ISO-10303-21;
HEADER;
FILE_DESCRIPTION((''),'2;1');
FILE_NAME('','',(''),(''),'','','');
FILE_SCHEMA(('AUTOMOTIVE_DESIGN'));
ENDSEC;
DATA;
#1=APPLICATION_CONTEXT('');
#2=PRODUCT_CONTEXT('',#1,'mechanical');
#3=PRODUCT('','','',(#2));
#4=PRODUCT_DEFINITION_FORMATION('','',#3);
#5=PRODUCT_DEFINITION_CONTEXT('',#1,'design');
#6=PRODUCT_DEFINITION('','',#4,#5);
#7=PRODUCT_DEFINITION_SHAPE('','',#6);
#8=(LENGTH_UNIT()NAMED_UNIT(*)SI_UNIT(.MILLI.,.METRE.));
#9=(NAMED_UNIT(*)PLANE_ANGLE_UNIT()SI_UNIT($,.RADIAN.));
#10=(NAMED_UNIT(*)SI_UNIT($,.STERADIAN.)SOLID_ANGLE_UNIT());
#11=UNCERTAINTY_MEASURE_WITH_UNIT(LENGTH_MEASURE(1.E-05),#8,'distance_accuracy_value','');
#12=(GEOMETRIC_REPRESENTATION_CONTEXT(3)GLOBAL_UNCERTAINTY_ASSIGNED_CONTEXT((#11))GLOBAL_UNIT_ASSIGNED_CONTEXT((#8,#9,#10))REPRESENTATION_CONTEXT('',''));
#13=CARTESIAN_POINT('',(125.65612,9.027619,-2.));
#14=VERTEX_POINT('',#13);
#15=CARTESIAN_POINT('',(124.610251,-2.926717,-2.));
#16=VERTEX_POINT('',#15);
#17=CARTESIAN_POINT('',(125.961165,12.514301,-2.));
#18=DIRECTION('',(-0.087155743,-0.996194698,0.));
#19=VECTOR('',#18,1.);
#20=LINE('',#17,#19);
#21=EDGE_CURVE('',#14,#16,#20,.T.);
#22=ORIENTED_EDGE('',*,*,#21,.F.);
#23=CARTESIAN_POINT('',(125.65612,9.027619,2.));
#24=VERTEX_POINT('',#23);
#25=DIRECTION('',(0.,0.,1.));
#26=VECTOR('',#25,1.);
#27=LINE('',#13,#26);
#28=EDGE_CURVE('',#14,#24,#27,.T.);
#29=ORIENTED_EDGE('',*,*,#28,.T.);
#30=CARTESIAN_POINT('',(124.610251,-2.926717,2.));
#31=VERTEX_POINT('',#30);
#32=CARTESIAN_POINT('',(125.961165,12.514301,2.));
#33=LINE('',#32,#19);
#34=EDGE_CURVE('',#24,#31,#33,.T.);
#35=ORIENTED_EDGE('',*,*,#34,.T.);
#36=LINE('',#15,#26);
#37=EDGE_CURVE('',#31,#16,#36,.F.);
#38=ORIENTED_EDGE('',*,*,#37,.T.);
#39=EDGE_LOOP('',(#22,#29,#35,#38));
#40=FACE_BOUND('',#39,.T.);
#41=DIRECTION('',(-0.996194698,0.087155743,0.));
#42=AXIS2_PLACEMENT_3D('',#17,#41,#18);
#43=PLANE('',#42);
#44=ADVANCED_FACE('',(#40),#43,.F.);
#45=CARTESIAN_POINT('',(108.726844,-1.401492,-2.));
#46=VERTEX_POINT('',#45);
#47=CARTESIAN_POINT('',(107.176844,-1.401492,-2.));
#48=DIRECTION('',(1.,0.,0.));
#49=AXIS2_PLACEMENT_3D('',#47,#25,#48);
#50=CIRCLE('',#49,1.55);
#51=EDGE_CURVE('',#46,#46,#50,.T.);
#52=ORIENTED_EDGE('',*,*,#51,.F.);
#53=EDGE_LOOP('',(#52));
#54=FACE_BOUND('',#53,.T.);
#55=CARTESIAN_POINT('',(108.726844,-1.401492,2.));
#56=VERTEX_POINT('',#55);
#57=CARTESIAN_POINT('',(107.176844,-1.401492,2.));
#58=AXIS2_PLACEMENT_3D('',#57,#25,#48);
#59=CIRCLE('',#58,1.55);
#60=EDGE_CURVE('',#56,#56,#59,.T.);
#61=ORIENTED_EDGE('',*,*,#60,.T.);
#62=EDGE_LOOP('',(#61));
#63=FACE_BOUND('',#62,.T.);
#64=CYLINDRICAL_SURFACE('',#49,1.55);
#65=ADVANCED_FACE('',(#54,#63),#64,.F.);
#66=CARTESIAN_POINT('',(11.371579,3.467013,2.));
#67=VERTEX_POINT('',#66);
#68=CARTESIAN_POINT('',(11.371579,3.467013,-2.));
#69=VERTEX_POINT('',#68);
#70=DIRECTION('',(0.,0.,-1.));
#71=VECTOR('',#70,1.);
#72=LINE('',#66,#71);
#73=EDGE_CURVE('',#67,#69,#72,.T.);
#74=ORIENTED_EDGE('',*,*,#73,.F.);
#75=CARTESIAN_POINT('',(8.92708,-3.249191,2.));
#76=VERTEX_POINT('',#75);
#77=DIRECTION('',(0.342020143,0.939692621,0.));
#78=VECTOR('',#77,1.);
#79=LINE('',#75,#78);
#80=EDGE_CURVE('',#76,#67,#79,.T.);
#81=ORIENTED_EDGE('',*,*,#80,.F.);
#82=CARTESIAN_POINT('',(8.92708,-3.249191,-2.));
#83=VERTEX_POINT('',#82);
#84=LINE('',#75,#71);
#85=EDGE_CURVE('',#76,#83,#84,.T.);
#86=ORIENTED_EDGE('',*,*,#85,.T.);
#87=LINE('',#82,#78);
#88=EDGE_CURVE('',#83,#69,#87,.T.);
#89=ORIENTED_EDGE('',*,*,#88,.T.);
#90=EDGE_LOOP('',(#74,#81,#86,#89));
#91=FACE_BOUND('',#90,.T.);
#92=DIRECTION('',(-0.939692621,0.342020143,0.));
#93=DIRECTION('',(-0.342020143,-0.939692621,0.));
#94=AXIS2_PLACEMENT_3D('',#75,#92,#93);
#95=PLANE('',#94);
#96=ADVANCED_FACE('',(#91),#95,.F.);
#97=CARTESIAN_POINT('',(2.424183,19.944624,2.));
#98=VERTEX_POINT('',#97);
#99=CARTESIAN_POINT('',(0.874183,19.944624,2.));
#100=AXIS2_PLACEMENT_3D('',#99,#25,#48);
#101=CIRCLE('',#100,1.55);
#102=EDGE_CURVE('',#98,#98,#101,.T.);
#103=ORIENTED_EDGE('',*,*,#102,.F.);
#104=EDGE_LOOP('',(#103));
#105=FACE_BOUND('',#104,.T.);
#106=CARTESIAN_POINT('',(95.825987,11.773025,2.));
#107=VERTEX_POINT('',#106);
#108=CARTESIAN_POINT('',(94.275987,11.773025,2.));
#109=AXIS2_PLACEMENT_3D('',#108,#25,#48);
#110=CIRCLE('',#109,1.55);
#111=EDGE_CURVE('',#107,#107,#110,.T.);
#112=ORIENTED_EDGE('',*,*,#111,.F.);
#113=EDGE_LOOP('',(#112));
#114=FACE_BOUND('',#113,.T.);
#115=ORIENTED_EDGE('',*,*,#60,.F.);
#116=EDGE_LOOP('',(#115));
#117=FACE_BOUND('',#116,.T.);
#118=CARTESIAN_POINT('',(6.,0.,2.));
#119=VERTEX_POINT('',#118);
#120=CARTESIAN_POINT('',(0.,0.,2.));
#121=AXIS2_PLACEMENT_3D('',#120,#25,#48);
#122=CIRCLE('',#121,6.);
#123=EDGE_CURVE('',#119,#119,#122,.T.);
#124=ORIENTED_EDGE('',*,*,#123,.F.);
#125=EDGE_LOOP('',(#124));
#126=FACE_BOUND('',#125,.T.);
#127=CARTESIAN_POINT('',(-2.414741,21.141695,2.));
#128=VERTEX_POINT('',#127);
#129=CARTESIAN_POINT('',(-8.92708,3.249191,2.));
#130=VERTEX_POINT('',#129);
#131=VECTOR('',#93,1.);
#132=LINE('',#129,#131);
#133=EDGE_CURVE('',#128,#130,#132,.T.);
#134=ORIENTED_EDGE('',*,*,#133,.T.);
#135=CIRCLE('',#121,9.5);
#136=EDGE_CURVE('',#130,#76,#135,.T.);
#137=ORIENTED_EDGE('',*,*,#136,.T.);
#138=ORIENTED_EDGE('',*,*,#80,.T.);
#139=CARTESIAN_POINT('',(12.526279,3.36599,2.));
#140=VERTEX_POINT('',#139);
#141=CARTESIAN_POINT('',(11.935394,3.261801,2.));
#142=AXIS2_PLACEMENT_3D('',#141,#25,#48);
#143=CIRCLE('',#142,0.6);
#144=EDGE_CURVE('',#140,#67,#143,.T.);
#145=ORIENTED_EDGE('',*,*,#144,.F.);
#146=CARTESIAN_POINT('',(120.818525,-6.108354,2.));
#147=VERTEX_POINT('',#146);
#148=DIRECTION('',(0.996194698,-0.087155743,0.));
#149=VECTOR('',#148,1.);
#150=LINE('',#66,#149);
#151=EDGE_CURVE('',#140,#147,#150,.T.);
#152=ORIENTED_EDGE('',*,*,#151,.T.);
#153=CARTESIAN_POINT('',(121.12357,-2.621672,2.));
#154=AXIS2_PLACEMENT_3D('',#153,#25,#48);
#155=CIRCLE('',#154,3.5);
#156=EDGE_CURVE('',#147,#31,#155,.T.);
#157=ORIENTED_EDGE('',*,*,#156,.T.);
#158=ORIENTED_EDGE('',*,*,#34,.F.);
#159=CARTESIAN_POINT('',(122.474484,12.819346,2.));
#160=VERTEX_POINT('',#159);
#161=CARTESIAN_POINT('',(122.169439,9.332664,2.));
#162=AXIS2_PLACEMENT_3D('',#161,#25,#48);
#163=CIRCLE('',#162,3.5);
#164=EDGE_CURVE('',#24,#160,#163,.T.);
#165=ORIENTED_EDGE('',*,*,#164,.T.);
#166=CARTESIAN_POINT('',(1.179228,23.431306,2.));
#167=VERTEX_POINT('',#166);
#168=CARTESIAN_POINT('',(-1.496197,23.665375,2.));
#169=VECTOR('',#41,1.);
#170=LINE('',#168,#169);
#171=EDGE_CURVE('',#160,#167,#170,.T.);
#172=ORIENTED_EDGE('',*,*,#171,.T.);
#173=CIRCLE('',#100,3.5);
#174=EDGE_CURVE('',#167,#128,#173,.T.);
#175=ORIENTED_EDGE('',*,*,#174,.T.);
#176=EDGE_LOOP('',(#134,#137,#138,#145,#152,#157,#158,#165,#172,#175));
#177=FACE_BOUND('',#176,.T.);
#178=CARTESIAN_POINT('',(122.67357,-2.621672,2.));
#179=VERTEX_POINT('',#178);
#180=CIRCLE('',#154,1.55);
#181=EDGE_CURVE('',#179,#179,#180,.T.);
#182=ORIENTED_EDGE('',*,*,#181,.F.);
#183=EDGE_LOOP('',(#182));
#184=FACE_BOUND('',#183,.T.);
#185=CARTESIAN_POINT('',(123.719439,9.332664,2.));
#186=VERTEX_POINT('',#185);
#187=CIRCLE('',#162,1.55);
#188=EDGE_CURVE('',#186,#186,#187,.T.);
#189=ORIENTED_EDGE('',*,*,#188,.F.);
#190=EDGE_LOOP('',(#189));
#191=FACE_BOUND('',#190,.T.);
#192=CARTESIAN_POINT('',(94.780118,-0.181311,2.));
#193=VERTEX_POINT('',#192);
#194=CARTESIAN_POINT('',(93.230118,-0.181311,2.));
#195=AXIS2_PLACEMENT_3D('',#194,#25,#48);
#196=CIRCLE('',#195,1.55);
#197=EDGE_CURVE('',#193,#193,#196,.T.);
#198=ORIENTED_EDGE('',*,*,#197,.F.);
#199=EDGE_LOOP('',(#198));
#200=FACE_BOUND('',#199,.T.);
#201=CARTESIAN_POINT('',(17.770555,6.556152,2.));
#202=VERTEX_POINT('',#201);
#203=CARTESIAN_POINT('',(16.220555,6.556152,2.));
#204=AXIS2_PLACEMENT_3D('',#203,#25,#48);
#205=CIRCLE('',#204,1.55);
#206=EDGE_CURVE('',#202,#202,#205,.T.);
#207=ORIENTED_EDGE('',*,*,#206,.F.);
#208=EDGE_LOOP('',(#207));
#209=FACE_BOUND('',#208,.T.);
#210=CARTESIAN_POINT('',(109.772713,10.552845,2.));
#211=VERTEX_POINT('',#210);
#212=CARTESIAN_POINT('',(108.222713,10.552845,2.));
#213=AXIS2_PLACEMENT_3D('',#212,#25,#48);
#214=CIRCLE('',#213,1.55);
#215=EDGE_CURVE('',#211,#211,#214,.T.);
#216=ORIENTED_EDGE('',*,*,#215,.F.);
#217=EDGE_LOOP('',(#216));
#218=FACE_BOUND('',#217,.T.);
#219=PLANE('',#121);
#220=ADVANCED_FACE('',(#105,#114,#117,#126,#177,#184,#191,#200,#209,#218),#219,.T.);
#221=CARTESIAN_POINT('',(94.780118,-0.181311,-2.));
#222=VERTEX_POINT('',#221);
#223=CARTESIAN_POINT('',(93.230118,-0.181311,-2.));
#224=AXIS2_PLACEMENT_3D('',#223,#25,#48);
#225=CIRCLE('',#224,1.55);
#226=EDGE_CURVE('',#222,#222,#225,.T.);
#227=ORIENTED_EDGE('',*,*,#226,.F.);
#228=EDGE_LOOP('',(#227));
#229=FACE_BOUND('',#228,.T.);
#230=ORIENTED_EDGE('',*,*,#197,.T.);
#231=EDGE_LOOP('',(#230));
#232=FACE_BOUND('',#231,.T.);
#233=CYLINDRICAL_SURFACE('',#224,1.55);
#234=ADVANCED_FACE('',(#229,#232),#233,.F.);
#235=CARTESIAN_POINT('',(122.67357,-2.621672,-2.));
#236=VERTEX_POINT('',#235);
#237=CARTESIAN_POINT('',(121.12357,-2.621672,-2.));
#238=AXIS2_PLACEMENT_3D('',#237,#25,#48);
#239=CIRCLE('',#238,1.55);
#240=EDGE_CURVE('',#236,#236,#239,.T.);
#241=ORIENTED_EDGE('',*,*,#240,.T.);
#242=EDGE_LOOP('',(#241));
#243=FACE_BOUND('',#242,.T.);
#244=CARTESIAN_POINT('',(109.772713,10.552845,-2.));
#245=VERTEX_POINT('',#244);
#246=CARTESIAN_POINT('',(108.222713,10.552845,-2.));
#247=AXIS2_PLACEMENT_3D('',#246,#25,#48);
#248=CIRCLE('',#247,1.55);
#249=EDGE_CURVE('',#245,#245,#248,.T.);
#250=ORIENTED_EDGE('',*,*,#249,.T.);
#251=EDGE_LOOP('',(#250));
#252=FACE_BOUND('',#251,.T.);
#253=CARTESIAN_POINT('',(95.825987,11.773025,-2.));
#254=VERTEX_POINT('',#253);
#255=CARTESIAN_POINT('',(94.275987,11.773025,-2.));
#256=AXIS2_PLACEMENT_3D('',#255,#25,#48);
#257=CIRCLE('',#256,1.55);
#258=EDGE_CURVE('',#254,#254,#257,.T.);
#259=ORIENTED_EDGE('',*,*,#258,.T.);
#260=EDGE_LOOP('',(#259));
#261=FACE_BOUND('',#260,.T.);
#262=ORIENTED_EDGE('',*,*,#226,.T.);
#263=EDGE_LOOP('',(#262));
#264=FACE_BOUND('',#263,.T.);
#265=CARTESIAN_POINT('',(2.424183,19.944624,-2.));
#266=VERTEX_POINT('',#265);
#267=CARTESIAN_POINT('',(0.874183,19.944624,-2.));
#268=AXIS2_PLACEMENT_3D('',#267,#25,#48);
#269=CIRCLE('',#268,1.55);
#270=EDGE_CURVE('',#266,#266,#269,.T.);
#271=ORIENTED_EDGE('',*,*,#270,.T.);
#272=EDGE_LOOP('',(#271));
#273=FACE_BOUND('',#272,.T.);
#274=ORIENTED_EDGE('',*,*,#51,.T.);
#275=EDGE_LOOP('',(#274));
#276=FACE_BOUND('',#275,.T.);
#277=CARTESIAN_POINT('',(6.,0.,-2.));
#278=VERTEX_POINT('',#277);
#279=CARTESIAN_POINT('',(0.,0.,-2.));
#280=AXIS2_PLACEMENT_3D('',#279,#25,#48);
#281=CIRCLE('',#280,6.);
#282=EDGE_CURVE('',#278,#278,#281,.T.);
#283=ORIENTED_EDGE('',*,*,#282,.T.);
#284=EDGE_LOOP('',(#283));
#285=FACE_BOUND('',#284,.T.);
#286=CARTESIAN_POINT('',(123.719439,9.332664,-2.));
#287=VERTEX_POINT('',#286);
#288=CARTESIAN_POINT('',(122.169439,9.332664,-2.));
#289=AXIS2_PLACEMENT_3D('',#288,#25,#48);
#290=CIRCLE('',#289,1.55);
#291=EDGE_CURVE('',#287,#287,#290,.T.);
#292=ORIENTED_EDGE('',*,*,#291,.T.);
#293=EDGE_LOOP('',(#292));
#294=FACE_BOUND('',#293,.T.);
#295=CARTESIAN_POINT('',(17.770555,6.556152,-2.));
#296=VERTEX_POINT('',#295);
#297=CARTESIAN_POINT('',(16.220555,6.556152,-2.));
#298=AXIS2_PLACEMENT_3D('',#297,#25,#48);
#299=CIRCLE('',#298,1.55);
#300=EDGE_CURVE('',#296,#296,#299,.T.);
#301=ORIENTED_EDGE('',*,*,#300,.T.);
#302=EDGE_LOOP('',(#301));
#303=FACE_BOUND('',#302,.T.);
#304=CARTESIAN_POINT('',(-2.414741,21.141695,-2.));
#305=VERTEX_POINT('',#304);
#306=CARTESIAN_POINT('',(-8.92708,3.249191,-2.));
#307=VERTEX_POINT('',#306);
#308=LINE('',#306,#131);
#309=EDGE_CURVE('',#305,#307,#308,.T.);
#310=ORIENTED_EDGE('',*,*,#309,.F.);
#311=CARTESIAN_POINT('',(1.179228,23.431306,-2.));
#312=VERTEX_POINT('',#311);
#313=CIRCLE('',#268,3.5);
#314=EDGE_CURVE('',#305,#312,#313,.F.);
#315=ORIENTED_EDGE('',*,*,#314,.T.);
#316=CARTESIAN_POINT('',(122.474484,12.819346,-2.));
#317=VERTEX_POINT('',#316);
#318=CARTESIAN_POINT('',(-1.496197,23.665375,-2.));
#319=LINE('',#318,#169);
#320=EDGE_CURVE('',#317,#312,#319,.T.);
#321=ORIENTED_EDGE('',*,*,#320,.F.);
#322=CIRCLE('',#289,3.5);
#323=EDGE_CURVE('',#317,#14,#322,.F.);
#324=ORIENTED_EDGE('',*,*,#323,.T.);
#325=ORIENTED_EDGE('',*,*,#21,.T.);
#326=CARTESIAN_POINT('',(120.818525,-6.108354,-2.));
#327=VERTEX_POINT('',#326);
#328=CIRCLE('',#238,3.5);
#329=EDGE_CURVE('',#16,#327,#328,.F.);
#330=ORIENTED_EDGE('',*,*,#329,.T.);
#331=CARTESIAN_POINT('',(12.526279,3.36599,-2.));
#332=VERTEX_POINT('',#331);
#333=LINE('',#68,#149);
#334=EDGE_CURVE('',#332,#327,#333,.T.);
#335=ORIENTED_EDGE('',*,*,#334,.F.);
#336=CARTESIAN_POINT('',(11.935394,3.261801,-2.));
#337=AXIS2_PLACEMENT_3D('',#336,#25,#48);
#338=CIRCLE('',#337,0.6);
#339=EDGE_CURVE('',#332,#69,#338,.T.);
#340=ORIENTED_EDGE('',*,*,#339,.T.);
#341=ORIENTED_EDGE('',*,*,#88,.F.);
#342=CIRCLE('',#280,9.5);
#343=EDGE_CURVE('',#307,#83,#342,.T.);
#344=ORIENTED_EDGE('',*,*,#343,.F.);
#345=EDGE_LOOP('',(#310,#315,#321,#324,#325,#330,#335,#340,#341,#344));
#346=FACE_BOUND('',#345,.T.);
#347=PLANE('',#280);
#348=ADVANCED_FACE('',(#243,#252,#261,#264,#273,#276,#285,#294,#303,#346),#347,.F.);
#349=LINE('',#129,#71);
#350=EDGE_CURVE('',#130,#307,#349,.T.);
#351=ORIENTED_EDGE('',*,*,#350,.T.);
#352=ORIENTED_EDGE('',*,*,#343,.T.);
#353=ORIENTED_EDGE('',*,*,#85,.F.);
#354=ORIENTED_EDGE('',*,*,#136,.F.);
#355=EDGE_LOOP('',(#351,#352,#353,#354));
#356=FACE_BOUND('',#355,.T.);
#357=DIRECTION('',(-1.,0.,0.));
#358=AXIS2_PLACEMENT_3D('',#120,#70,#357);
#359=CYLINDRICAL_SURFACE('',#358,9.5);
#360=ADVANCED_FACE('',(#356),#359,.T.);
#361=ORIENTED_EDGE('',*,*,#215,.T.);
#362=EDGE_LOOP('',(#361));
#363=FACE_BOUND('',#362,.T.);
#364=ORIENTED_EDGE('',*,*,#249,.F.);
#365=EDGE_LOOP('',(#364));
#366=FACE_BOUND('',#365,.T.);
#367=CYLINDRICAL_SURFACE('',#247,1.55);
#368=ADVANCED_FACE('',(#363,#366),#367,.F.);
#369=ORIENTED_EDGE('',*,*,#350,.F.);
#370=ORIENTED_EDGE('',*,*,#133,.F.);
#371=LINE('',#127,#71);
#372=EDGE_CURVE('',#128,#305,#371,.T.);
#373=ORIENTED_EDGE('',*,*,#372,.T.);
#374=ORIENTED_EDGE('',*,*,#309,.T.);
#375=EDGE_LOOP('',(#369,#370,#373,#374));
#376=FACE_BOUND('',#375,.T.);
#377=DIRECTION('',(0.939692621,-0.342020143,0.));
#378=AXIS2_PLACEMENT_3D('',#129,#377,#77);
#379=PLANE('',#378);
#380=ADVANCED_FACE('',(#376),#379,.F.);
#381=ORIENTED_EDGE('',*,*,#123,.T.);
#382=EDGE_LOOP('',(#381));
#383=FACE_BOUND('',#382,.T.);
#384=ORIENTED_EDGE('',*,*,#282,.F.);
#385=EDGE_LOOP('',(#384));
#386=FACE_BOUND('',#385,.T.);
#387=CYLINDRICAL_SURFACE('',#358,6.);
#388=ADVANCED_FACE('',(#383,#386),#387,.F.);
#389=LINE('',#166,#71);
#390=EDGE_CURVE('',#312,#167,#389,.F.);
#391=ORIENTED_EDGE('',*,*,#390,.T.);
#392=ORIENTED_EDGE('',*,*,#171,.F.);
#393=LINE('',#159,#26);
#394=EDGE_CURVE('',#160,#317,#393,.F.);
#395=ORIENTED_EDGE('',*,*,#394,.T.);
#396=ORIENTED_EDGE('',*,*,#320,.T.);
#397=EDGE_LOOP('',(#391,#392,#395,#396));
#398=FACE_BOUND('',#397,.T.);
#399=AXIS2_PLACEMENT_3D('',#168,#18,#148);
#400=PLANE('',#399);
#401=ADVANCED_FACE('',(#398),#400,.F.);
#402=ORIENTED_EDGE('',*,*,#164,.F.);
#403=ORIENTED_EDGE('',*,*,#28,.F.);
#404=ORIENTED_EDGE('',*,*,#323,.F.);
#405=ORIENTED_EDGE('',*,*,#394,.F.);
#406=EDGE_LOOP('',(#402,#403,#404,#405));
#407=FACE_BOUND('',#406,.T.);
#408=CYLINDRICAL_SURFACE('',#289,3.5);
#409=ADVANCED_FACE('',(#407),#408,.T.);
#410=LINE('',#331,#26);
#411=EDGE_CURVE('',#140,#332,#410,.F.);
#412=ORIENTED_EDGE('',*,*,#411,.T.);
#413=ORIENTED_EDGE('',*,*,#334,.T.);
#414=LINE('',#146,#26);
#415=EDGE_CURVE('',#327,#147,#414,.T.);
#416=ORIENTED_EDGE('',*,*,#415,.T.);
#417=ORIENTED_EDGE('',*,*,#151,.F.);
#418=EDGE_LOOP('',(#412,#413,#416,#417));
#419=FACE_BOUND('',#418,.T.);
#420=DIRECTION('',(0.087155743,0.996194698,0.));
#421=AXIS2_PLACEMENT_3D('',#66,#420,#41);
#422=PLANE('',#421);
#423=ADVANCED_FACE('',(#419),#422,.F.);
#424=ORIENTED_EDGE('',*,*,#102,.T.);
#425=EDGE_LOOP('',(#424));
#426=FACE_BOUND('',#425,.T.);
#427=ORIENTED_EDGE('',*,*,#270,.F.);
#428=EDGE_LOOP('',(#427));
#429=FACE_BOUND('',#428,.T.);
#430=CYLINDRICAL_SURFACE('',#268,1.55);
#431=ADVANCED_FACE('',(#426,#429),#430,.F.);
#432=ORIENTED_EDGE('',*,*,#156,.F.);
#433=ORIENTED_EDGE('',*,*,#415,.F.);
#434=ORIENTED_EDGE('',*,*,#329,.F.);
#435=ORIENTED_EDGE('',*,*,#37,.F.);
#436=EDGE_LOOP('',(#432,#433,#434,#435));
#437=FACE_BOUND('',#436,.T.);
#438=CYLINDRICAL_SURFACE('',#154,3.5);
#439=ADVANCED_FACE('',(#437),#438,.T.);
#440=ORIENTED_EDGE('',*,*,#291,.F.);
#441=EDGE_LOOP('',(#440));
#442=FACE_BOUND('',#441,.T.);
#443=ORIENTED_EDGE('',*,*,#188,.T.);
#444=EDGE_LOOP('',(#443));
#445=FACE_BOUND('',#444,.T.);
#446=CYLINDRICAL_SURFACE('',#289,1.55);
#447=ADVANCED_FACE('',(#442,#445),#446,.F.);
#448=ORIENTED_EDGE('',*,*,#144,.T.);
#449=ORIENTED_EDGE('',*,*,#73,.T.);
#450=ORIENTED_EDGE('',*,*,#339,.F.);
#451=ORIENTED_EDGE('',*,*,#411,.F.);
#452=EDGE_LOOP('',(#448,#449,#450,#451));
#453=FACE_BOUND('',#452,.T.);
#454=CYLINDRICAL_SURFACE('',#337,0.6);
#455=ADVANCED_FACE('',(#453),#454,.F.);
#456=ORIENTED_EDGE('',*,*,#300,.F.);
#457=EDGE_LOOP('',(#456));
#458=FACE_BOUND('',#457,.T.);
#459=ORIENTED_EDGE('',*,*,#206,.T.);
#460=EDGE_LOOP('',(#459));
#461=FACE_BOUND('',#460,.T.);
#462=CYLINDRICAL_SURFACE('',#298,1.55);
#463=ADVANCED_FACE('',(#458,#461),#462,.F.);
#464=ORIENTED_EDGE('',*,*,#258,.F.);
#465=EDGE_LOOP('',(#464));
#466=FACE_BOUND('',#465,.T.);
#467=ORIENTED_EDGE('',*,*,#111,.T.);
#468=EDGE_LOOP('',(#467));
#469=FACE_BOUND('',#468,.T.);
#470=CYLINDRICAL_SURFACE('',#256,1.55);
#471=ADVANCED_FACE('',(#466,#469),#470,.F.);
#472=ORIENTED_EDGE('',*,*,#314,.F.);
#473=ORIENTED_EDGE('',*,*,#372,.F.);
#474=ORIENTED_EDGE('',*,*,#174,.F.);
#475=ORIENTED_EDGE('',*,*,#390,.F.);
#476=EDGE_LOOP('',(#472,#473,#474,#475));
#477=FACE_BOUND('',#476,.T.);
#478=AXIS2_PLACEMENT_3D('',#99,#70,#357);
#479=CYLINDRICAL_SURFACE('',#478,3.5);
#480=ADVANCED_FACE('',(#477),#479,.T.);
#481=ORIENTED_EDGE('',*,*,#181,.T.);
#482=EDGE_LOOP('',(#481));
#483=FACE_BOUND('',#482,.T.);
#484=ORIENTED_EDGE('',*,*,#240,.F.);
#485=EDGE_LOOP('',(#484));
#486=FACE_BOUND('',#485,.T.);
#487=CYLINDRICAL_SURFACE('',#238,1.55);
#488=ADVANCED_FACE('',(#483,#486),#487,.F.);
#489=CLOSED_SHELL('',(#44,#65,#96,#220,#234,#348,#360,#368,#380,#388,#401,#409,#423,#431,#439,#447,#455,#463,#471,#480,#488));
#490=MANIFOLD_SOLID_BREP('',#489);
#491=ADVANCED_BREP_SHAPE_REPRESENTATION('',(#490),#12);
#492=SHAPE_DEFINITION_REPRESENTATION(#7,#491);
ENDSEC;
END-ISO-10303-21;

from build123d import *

# Parameters (mm, degrees)
SKETCH_1_R          = 6
EXTRUDE_1_DEPTH     = 2
SKETCH_2_R          = 1.55
SKETCH_2_R_2        = 0.6
CUT_EXTRUDE_1_DEPTH = 5
FILLET_1_R          = 3.5
CUT_EXTRUDE_2_DEPTH = 5
SKETCH_4_R          = 1.55
CUT_EXTRUDE_3_DEPTH = 5
FILLET_2_R          = 3.5


with BuildPart() as part:
    # 草图1 → 凸台-拉伸1 (new body, symmetric)
    with BuildSketch(Plane.XY):
        with BuildLine():
            Line((-8.927079897, 3.249191362), (-1.4961968, 23.665374879))
            Line((-1.4961968, 23.665374879), (160.827979556, 9.463849632))
            ThreePointArc((160.827979556, 9.463849632), (169.463849632, -0.827979556), (159.172020444, -9.463849632))
            Line((159.172020444, -9.463849632), (11.371578553, 3.467013498))
            Line((11.371578553, 3.467013498), (8.927079897, -3.249191362))
            ThreePointArc((8.927079897, -3.249191362), (-3.249191362, -8.927079897), (-8.927079897, 3.249191362))
        make_face()
        Circle(SKETCH_1_R, mode=Mode.SUBTRACT)
        with Locations((160, 0)):
            Circle(SKETCH_1_R, mode=Mode.SUBTRACT)
    extrude(amount=EXTRUDE_1_DEPTH, both=True)

    # 草图2 → 切除-拉伸1 (cut, through all)
    with BuildSketch(Plane.XY.offset(2)):
        with Locations((0.874182871, 19.944624098)):
            Circle(SKETCH_2_R)
        with Locations((16.220555377, 6.556152427)):
            Circle(SKETCH_2_R)
        with Locations((11.935394126, 3.261801412)):
            Circle(SKETCH_2_R_2)
    extrude(amount=-CUT_EXTRUDE_1_DEPTH, mode=Mode.SUBTRACT)

    # 圆角1
    fillet_1_edges = [part.edges().sort_by_distance(p)[0] for p in [
        (-1.4961968, 23.665374879, 0),
    ]]
    fillet(fillet_1_edges, radius=FILLET_1_R)

    # 草图3 → 切除-拉伸2 (cut, through all)
    with BuildSketch(Plane.XY.offset(2)):
        with BuildLine():
            Line((125.961165123, 12.514300628), (124.305206011, -6.413398636))
            Line((124.305206011, -6.413398636), (159.172020444, -9.463849632))
            ThreePointArc((159.172020444, -9.463849632), (169.463849632, -0.827979556), (160.827979556, 9.463849632))
            Line((160.827979556, 9.463849632), (125.961165123, 12.514300628))
        make_face()
    extrude(amount=-CUT_EXTRUDE_2_DEPTH, mode=Mode.SUBTRACT)

    # 草图4 → 切除-拉伸3 (cut, through all)
    with BuildSketch(Plane.XY.offset(2)):
        with Locations((122.16943858, 9.332664284)):
            Circle(SKETCH_4_R)
        with Locations((121.123569667, -2.621672093)):
            Circle(SKETCH_4_R)
        with Locations((94.275987033, 11.773025081)):
            Circle(SKETCH_4_R)
        with Locations((93.23011812, -0.181311296)):
            Circle(SKETCH_4_R)
        with Locations((108.222712807, 10.552844683)):
            Circle(SKETCH_4_R)
        with Locations((107.176843894, -1.401491694)):
            Circle(SKETCH_4_R)
    extrude(amount=-CUT_EXTRUDE_3_DEPTH, mode=Mode.SUBTRACT)

    # 圆角2
    fillet_2_edges = [part.edges().sort_by_distance(p)[0] for p in [
        (125.961165123, 12.514300628, 0),
        (124.305206011, -6.413398636, 0),
    ]]
    fillet(fillet_2_edges, radius=FILLET_2_R)


solid = part.part
